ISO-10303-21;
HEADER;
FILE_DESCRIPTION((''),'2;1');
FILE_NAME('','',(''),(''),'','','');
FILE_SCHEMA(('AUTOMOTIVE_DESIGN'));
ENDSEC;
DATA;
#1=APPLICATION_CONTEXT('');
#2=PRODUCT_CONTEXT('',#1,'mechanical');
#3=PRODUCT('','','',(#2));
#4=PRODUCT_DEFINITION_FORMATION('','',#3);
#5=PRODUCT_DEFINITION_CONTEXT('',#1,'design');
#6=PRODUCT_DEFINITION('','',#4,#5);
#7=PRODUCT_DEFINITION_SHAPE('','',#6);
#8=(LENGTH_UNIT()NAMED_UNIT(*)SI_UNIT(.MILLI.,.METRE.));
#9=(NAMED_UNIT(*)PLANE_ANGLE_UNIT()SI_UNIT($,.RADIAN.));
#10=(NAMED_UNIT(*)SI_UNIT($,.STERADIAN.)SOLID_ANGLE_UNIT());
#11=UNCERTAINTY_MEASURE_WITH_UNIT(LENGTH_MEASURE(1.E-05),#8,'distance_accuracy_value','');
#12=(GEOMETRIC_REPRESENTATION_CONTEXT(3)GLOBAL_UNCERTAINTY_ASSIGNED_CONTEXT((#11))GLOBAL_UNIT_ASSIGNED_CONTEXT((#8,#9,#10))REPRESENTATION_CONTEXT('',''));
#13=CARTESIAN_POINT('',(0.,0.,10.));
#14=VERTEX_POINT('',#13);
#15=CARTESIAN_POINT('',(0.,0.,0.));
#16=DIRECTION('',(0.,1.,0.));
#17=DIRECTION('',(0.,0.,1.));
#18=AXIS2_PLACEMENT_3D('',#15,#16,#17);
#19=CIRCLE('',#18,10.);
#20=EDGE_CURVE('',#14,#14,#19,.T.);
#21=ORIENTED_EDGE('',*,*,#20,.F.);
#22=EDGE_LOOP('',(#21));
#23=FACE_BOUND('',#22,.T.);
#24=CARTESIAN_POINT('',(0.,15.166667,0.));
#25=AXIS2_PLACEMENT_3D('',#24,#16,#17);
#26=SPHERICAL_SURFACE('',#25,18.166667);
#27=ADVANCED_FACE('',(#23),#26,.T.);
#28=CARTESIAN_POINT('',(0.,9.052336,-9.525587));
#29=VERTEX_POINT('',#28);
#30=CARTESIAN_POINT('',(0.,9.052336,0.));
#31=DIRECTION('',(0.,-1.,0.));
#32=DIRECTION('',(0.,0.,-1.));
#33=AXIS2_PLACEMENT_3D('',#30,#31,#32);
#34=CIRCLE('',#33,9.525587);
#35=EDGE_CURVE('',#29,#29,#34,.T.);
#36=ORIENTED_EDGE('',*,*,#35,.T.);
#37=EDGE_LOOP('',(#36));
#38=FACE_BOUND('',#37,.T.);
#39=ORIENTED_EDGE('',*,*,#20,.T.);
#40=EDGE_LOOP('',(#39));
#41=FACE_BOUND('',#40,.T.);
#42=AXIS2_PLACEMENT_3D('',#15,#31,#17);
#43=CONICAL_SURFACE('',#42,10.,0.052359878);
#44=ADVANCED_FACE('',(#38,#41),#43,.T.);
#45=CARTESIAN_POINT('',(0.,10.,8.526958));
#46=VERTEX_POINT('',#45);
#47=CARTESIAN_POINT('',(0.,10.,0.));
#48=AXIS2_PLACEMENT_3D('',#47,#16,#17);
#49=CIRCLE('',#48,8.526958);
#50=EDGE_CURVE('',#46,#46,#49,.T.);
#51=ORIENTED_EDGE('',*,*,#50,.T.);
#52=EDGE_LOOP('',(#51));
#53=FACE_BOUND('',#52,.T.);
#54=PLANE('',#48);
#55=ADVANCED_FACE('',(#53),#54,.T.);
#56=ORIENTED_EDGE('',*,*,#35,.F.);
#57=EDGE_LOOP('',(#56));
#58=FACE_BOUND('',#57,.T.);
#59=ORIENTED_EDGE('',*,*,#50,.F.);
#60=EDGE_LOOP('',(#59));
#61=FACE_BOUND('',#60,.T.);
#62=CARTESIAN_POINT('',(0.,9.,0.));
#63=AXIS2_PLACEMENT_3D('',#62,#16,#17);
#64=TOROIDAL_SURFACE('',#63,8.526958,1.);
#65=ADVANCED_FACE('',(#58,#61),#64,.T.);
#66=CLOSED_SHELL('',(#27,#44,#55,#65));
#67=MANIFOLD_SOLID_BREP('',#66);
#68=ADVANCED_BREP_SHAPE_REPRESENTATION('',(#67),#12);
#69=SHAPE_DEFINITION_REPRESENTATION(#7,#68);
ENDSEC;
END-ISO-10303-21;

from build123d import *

# Parameters (mm, degrees)
SKETCH1_R           = 10
BOSS_EXTRUDE1_DEPTH = 10
BOSS_EXTRUDE1_TAPER = 3
DOME1_FACE_RADIUS   = 10
DOME1_HEIGHT        = 3
FILLET1_R           = 1


with BuildPart() as part:
    # Sketch1 → Boss-Extrude1 (new body)
    with BuildSketch(Plane(origin=(0, 0, 0), x_dir=(1, 0, 0), z_dir=(0, 1, 0))):
        Circle(SKETCH1_R)
    extrude(amount=BOSS_EXTRUDE1_DEPTH, taper=BOSS_EXTRUDE1_TAPER)

    # Dome1: a dome of height H over a round flat face of radius A is a cap of a sphere of radius (A * A + H * H) / (2 * H)
    dome1_r = (DOME1_FACE_RADIUS * DOME1_FACE_RADIUS + DOME1_HEIGHT * DOME1_HEIGHT) / (2 * DOME1_HEIGHT)
    dome1_base = Plane((0, 0, 0), z_dir=(0, -1, 0))
    with Locations(dome1_base.offset(DOME1_HEIGHT - dome1_r)):
        dome1_ball = Sphere(dome1_r, mode=Mode.PRIVATE)
    add(split(dome1_ball, bisect_by=dome1_base, keep=Keep.TOP, mode=Mode.PRIVATE))

    # Fillet1
    fillet1_edges = [part.edges().sort_by_distance(p)[0] for p in [
        (-9.475922207, 10, 0),
    ]]
    fillet(fillet1_edges, radius=FILLET1_R)


solid = part.part
